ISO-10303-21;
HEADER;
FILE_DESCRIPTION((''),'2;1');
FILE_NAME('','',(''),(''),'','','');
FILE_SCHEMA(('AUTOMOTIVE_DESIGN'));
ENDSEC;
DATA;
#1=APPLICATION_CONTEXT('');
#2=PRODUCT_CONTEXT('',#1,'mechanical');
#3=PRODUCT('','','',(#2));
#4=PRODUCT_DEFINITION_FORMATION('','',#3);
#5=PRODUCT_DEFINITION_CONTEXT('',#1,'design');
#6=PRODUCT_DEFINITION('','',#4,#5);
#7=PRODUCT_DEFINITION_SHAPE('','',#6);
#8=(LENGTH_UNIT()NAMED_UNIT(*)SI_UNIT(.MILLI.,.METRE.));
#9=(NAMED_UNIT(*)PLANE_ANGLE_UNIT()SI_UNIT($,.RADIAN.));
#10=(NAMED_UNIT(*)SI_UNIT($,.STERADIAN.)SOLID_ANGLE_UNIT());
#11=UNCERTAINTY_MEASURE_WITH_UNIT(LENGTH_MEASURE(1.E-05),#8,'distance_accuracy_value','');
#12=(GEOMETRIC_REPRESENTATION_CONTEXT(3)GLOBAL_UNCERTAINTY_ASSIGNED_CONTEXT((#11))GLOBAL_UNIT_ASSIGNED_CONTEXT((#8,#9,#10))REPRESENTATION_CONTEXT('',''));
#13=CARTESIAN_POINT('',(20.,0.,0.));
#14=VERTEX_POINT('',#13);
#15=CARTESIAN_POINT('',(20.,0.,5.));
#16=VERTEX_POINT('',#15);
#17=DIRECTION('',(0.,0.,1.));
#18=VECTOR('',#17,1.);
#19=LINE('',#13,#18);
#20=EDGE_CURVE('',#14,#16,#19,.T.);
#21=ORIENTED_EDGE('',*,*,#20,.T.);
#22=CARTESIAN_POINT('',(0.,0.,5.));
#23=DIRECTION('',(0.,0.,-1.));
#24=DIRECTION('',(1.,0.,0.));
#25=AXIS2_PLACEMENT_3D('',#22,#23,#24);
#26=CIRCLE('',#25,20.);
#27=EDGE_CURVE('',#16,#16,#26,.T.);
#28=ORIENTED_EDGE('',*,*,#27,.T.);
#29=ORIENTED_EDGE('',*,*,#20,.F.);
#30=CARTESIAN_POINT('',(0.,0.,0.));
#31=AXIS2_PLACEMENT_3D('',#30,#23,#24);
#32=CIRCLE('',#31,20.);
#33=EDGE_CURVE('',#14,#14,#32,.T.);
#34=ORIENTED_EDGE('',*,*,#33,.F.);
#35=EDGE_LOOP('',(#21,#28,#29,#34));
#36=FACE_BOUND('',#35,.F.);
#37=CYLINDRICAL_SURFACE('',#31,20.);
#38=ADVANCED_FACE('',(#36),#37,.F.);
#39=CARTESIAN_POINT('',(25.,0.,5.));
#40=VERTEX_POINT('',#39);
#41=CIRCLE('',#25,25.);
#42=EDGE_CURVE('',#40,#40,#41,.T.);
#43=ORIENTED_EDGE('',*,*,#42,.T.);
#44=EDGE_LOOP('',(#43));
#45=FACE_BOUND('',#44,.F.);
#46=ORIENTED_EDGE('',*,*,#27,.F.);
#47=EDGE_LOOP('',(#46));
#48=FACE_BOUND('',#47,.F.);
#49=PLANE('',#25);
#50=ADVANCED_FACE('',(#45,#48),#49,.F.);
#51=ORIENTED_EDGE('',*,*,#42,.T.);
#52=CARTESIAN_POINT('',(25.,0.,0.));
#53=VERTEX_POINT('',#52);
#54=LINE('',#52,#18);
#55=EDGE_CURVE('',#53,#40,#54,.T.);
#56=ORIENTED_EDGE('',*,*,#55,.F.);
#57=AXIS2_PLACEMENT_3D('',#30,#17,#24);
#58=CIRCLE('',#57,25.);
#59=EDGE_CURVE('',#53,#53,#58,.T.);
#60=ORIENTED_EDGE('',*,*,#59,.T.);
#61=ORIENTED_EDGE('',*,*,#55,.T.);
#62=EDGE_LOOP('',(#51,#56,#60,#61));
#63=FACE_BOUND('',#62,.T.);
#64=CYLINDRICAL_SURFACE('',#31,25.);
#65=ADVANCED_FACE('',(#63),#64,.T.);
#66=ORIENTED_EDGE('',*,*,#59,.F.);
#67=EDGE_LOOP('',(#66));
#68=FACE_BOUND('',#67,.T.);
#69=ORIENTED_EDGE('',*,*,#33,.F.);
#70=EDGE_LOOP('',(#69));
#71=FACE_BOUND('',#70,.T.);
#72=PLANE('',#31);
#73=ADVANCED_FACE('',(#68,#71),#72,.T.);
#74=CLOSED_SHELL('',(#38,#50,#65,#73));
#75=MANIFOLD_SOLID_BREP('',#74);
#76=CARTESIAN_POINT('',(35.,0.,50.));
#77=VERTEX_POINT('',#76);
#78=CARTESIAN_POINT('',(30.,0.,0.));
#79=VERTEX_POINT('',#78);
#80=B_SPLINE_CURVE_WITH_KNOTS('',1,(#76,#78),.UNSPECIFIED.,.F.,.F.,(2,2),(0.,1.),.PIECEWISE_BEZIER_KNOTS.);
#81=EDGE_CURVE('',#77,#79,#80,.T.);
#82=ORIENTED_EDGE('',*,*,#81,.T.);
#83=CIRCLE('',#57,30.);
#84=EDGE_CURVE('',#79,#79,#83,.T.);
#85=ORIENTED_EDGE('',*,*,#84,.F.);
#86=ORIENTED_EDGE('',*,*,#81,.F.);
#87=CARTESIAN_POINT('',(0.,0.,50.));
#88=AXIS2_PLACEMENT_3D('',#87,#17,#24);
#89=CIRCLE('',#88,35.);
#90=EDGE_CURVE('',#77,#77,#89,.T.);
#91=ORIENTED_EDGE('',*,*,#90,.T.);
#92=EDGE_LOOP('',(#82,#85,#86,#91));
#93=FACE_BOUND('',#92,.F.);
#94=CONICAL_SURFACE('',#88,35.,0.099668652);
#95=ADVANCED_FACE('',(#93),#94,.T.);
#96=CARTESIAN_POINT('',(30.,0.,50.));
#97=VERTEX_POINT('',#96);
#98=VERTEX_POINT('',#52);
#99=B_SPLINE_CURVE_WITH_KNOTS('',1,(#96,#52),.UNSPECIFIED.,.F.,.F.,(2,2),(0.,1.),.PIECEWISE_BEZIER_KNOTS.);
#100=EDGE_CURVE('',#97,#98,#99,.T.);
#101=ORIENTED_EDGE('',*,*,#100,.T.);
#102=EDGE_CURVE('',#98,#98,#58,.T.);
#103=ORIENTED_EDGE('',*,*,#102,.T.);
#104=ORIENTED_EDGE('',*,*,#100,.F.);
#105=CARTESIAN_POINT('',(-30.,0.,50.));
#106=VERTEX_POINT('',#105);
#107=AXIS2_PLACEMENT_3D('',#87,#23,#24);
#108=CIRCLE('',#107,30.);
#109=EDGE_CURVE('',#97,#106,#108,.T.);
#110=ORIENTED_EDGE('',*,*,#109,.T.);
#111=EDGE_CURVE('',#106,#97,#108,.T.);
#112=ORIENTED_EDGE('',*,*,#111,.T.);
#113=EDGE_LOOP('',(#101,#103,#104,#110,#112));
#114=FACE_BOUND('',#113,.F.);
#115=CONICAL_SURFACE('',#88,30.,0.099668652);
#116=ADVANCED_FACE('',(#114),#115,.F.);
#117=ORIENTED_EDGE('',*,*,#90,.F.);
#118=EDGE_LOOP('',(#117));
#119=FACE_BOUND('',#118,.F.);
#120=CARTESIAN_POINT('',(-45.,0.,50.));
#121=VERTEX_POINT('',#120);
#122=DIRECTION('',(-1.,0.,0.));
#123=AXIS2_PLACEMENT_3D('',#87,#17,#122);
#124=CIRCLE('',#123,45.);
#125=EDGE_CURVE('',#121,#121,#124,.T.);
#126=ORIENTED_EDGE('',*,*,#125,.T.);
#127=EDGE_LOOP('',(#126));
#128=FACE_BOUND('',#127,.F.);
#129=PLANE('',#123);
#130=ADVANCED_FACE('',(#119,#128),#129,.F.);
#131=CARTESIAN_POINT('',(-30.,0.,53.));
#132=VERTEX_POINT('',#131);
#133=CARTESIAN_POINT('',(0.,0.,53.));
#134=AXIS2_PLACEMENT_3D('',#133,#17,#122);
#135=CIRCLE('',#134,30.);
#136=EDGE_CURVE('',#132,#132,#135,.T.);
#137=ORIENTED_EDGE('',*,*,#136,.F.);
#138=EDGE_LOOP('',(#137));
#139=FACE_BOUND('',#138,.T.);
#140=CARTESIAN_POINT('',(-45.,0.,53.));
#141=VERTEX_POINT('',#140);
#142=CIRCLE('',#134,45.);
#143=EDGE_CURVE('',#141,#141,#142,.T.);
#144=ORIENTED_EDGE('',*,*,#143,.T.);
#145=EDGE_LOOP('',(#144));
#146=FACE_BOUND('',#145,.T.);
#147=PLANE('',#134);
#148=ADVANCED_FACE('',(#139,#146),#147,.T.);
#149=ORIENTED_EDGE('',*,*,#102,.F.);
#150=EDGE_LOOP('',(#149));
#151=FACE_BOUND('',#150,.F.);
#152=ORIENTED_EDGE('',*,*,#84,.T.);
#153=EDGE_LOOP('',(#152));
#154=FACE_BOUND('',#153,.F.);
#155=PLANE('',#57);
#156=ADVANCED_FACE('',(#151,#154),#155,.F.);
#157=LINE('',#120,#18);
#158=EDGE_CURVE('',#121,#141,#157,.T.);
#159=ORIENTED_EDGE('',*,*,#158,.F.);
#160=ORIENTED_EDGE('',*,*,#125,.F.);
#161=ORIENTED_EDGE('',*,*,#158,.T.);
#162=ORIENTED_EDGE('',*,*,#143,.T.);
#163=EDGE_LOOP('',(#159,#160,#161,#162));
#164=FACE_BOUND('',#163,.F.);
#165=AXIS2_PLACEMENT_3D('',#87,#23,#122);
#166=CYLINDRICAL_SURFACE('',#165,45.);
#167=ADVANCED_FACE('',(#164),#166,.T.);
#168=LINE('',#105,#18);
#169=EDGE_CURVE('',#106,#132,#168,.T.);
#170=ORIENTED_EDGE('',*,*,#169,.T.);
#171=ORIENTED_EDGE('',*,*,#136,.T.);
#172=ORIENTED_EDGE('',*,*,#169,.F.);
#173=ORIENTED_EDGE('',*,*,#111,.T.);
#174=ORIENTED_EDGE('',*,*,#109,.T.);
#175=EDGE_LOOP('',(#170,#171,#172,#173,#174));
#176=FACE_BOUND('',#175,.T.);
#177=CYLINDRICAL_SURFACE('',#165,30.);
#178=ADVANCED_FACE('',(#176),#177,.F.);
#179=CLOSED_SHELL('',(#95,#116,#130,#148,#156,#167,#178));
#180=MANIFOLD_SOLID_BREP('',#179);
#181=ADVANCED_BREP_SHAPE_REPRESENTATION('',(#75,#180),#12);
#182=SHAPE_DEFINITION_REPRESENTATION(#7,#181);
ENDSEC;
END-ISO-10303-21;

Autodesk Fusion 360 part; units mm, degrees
sketch "Sketch1" plane through (0, 0, 0) normal (0, 0, 1) x (1, 0, 0)
  circle A0 centre (0, 0) radius 30
  circle A1 centre (0, 0) radius 25
  dimension "d1" = 60
  dimension "d7" = 50
ref_plane "WorkPlane1" through (0, 0, 50) normal (0, 0, 1) x (1, 0, 0)
ref_plane "WorkPlane2" through (0, 0, 50) normal (0, 0, 1) x (1, 0, 0)
ref_plane "WorkPlane3" through (0, 0, 50) normal (0, 0, 1) x (1, 0, 0)
sketch "Sketch7" plane through (0, 0, 50) normal (0, 0, 1) x (1, 0, 0)
  circle A0 centre (0, 0) radius 35
  circle A1 centre (0, 0) radius 30
  dimension "d6" = 70
  dimension "d8" = 60
loft "Loft1" add profiles "Sketch7", "Sketch1" section 1 section 2
sketch "Sketch8" plane through (0, 0, 50) normal (0, 0, 1) x (-1, 0, 0)
  circle A0 centre (0, 0) radius 35
  circle A1 centre (0, 0) radius 30
  dimension "d9" = 60
sketch "Sketch9" plane through (0, 0, 0) normal (0, 0, -1) x (1, 0, 0)
  circle A0 centre (0, 0) radius 30
  circle A1 centre (0, 0) radius 25
loft "Loft2" cut profiles "Sketch8", "Sketch9" section 1 contours A1 section 2 contours A1
sketch "Sketch11" plane through (0, 0, 50) normal (0, 0, 1) x (-1, 0, 0)
  circle A0 centre (0, 0) radius 30
  circle A1 centre (0, 0) radius 35
  circle A2 centre (0, 0) radius 30
  circle A3 centre (0, 0) radius 45
  dimension "d14" = 90
extrude "Extrude2" add sketch "Sketch11" along normal blind 3 contours A1 | A3
sketch "Sketch12" plane through (0, 0, 0) normal (0, 0, -1) x (1, 0, 0)
  circle A0 centre (0, 0) radius 25
  circle A1 centre (0, 0) radius 30
  circle A2 centre (0, 0) radius 25
  circle A3 centre (0, 0) radius 20
  dimension "d17" = 40
extrude "Extrude3" add sketch "Sketch12" against normal blind 5 contours A0 A2
sketch "Sketch10" plane through (0, 0, 50) normal (0, 0, 1) x (-1, 0, 0)
  circle A0 centre (0, 0) radius 30
  circle A1 centre (0, 0) radius 35
  circle A2 centre (0, 0) radius 45
  circle A3 centre (0, 0) radius 35
  dimension "d10" = 90
  dimension "d13" = 70
extrude "Extrude1" [rolled back] along distance 3 taper angle 0
